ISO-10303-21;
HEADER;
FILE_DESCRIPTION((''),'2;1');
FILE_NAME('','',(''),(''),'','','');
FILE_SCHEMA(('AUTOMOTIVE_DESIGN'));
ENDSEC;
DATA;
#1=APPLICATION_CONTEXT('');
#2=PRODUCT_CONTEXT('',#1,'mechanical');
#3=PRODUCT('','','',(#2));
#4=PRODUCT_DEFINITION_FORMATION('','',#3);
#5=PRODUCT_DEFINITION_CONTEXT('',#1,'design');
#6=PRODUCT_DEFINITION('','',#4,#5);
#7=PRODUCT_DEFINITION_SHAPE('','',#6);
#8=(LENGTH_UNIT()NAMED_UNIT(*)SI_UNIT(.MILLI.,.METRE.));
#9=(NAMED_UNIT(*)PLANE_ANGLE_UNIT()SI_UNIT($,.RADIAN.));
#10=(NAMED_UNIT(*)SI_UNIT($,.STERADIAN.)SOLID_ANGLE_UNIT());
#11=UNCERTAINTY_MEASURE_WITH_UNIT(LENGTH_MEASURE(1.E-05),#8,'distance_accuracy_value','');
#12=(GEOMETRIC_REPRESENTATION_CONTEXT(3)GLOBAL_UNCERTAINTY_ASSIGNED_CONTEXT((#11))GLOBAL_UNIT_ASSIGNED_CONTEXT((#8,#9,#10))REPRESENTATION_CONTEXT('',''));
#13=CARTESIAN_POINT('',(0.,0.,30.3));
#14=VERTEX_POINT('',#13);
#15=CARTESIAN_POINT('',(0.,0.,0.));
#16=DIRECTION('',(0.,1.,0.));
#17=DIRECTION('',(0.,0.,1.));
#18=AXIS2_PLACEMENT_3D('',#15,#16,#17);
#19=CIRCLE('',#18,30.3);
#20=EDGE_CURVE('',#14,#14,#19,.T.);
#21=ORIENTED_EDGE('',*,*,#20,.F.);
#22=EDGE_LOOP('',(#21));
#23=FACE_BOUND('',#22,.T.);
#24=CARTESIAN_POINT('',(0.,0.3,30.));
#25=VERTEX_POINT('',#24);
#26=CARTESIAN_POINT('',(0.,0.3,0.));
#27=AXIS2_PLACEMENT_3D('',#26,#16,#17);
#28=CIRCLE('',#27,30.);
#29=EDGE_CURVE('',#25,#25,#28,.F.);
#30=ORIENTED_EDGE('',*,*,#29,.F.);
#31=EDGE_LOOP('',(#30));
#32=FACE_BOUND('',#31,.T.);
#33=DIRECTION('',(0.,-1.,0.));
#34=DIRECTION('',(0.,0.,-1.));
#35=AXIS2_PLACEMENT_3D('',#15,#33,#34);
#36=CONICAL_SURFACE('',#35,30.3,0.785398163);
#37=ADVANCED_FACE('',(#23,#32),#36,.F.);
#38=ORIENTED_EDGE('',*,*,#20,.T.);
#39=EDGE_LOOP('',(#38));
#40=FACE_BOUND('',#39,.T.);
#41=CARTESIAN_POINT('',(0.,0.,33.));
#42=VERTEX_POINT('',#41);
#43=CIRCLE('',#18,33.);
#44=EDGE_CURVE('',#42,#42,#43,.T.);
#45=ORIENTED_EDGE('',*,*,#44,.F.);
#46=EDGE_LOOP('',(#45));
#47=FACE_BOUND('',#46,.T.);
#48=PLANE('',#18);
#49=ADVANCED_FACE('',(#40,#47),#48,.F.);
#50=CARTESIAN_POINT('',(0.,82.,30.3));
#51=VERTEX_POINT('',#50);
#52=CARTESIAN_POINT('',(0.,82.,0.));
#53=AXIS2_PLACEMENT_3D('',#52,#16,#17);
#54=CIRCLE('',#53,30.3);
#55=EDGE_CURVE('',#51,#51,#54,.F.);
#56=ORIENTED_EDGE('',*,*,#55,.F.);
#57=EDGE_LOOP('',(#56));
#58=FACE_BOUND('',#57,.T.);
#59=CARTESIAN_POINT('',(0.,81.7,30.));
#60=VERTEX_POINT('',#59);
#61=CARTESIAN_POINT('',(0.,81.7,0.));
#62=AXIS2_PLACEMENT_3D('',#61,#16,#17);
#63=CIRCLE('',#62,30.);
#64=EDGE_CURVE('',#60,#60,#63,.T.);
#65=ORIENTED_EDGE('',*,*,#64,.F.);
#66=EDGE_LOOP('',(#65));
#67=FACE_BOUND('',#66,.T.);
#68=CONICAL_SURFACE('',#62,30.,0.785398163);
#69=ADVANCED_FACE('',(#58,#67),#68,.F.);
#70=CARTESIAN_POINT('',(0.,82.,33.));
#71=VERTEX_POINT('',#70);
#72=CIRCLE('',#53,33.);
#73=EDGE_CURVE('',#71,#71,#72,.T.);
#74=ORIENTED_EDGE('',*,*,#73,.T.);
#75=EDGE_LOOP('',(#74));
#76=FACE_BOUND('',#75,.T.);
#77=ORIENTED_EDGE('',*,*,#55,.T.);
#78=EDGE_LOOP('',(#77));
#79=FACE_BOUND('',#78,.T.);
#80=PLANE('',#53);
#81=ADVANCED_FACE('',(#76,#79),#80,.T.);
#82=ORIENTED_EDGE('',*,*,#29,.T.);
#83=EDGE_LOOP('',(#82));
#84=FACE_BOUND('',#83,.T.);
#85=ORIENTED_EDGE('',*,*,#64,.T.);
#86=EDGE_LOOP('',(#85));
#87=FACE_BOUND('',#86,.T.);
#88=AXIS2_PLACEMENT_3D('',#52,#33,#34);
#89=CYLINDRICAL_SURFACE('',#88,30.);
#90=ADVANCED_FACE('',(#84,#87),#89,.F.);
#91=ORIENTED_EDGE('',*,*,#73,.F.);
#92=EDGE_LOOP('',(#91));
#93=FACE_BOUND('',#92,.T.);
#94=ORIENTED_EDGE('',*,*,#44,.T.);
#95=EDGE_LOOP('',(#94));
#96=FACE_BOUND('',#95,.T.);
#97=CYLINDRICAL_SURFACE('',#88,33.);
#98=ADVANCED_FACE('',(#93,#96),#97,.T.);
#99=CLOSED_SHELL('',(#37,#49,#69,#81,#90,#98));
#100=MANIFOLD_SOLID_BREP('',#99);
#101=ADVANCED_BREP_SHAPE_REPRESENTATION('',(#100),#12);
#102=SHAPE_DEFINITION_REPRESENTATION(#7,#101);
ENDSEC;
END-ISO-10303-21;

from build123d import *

# Parameters (mm, degrees)
SCHIZZO1_R                   = 33
SCHIZZO1_R_2                 = 30
ESTRUSIONE_ESTRUSIONE1_DEPTH = 82
SMUSSO1_SIZE                 = 0.3


with BuildPart() as part:
    # Schizzo1 → Estrusione-Estrusione1 (new body)
    with BuildSketch(Plane(origin=(0, 0, 0), x_dir=(1, 0, 0), z_dir=(0, 1, 0))):
        with Locations(Location((0, 0, 0), (0, 0, 270))):
            Circle(SCHIZZO1_R)
        with Locations(Location((0, 0, 0), (0, 0, 270))):
            Circle(SCHIZZO1_R_2, mode=Mode.SUBTRACT)
    extrude(amount=ESTRUSIONE_ESTRUSIONE1_DEPTH)

    # Smusso1
    smusso1_edges = [part.edges().sort_by_distance(p)[0] for p in [
        (0, 0, -30),
        (0, 82, -30),
    ]]
    chamfer(smusso1_edges, length=SMUSSO1_SIZE)


solid = part.part
